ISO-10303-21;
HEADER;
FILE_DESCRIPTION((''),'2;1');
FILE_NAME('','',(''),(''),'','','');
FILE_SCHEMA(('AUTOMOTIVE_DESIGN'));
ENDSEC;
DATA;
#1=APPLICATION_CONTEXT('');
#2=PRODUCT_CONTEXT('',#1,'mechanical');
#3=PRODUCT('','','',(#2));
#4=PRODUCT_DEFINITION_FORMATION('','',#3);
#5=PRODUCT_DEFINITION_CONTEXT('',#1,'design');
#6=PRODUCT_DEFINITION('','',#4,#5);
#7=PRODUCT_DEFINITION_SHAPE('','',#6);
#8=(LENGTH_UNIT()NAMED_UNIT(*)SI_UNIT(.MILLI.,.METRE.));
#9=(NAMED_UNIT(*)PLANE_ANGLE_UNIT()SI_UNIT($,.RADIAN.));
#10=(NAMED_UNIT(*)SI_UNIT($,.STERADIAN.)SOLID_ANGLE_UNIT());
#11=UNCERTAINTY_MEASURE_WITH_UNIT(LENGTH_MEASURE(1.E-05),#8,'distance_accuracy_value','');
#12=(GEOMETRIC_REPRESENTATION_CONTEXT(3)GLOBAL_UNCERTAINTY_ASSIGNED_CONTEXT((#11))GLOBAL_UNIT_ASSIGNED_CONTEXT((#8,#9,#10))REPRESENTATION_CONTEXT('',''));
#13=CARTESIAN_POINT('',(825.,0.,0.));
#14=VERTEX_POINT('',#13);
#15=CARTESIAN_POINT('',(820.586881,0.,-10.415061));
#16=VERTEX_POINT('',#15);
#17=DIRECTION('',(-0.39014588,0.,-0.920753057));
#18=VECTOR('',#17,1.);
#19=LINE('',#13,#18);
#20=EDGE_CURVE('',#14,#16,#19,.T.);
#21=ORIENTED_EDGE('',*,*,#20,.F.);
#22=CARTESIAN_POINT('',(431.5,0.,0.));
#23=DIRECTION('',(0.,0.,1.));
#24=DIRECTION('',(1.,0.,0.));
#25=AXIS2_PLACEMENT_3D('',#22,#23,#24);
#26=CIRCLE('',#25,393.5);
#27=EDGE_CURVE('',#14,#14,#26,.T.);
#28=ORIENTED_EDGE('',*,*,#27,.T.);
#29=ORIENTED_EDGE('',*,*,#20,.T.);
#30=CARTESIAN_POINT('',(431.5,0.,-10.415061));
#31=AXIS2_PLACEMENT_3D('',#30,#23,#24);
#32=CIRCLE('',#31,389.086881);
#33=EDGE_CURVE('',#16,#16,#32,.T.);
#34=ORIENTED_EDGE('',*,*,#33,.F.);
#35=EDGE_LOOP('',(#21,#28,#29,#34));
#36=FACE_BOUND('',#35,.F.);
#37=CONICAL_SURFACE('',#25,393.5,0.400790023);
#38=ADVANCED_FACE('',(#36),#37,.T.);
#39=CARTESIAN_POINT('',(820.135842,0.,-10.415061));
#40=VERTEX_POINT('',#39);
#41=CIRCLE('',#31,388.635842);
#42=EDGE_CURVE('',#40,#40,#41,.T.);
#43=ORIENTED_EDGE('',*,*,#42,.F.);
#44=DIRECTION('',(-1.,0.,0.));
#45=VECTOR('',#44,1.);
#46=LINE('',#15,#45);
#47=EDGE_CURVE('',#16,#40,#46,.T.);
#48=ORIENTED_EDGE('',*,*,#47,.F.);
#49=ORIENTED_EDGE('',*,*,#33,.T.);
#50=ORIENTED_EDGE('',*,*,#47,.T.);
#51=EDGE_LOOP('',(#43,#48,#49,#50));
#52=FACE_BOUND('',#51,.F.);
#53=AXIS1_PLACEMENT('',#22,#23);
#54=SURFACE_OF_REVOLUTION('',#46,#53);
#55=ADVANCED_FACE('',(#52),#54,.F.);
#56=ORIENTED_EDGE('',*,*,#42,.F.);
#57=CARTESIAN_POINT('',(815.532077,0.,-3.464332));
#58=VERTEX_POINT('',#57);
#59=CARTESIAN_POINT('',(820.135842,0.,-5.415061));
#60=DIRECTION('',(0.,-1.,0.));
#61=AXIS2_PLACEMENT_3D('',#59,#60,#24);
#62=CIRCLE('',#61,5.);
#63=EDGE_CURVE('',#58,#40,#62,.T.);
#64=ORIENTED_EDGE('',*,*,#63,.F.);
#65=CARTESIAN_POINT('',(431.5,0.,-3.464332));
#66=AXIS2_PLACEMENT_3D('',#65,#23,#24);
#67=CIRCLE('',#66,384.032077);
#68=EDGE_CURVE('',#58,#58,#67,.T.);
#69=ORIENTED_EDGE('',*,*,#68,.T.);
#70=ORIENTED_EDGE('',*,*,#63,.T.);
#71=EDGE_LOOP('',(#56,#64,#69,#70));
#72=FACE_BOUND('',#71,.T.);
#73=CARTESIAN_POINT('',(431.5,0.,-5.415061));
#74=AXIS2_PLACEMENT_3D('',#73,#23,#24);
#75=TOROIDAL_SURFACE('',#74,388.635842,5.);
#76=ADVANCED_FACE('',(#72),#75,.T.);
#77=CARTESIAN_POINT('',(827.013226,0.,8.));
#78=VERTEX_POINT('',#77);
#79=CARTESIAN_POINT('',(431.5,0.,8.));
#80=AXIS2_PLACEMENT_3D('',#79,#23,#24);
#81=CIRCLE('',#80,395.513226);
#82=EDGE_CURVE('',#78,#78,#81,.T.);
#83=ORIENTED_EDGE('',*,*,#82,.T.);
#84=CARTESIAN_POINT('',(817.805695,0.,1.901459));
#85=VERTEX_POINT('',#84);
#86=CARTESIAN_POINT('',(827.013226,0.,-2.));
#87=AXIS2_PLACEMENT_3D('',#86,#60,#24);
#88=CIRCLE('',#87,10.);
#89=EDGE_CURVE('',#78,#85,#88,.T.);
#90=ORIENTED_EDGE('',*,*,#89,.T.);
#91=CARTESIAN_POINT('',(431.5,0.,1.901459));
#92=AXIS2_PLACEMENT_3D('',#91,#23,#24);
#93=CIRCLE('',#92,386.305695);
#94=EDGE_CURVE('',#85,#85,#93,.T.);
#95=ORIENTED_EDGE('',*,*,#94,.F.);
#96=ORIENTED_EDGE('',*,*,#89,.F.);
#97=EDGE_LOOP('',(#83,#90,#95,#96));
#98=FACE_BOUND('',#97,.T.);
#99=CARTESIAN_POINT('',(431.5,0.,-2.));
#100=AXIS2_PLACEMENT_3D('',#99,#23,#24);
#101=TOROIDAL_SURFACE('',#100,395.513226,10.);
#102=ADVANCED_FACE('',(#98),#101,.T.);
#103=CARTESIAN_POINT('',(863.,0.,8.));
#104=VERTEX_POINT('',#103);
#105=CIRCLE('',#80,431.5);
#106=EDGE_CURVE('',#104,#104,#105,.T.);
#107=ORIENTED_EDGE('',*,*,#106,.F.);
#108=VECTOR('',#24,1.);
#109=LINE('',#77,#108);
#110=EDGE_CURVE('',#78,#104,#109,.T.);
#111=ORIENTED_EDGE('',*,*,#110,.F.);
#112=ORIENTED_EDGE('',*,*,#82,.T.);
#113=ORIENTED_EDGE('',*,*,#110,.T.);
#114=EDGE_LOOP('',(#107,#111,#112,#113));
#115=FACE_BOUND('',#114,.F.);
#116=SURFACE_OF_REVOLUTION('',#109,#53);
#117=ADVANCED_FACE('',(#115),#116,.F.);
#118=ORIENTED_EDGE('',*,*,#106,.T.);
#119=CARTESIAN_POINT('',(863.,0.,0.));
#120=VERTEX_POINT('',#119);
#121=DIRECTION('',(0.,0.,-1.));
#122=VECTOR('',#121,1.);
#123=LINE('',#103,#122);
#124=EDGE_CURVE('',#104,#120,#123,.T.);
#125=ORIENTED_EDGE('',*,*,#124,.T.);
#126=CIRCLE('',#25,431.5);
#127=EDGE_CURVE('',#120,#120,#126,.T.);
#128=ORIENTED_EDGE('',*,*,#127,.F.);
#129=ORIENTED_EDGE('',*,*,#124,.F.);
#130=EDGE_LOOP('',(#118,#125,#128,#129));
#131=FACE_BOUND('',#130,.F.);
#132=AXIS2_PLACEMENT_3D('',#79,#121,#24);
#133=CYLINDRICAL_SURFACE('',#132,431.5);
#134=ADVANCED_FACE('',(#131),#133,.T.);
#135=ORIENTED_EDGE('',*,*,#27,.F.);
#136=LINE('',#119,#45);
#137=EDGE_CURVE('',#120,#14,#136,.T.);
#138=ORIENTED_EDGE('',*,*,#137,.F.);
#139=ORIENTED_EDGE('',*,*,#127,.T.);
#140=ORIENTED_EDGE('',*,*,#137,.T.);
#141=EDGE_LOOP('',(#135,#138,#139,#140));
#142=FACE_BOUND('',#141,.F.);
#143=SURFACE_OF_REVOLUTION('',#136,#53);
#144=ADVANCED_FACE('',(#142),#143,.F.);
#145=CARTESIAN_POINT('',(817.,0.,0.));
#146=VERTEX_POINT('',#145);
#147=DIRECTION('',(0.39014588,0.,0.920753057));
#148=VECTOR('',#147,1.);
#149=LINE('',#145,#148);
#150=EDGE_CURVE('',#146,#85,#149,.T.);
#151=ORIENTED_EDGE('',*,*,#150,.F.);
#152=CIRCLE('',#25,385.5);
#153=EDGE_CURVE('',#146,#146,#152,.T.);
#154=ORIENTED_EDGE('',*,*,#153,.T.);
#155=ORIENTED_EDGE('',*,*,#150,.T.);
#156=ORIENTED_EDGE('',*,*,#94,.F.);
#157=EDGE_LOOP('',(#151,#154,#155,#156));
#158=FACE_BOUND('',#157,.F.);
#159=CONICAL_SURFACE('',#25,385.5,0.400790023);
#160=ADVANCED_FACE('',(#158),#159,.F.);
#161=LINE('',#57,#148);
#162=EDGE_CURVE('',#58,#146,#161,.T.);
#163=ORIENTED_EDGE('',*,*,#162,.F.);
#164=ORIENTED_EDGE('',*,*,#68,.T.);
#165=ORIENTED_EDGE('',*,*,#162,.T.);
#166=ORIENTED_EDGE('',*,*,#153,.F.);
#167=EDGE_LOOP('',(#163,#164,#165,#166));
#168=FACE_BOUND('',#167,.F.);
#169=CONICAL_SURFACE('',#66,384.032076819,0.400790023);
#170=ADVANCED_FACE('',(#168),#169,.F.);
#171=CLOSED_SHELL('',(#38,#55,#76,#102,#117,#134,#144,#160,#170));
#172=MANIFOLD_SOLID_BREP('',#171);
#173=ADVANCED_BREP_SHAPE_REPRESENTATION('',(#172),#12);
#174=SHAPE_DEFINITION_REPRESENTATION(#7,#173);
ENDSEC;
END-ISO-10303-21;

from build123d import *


with BuildPart() as f2:
    # F2: sweep along a path in F1
    with BuildLine(Plane.XY) as f2_path:
        CenterArc((431.5, 0), 412.5, 0, 360)
    # F0 (on Front) → F2 (sweep)
    with BuildSketch(Plane.XZ):
        with BuildLine():
            Line((0, 8), (0, 0))
            Line((0, 0), (38, 0))
            Line((38, 0), (42.4131194186, -10.4150611426))
            Line((42.4131194186, -10.4150611426), (42.8641578953, -10.4150611426))
            ThreePointArc((42.8641578953, -10.4150611426), (47.0327096225, -8.1760711929), (47.467923181, -3.4643317419))
            Line((47.467923181, -3.4643317419), (46, 0))
            Line((46, 0), (45.194304801, 1.9014588014))
            ThreePointArc((45.194304801, 1.9014588014), (41.5087943304, 6.3371034543), (35.9867742297, 8))
            Line((35.9867742297, 8), (0, 8))
        make_face()
    sweep(path=f2_path.line)


solid = f2.part
